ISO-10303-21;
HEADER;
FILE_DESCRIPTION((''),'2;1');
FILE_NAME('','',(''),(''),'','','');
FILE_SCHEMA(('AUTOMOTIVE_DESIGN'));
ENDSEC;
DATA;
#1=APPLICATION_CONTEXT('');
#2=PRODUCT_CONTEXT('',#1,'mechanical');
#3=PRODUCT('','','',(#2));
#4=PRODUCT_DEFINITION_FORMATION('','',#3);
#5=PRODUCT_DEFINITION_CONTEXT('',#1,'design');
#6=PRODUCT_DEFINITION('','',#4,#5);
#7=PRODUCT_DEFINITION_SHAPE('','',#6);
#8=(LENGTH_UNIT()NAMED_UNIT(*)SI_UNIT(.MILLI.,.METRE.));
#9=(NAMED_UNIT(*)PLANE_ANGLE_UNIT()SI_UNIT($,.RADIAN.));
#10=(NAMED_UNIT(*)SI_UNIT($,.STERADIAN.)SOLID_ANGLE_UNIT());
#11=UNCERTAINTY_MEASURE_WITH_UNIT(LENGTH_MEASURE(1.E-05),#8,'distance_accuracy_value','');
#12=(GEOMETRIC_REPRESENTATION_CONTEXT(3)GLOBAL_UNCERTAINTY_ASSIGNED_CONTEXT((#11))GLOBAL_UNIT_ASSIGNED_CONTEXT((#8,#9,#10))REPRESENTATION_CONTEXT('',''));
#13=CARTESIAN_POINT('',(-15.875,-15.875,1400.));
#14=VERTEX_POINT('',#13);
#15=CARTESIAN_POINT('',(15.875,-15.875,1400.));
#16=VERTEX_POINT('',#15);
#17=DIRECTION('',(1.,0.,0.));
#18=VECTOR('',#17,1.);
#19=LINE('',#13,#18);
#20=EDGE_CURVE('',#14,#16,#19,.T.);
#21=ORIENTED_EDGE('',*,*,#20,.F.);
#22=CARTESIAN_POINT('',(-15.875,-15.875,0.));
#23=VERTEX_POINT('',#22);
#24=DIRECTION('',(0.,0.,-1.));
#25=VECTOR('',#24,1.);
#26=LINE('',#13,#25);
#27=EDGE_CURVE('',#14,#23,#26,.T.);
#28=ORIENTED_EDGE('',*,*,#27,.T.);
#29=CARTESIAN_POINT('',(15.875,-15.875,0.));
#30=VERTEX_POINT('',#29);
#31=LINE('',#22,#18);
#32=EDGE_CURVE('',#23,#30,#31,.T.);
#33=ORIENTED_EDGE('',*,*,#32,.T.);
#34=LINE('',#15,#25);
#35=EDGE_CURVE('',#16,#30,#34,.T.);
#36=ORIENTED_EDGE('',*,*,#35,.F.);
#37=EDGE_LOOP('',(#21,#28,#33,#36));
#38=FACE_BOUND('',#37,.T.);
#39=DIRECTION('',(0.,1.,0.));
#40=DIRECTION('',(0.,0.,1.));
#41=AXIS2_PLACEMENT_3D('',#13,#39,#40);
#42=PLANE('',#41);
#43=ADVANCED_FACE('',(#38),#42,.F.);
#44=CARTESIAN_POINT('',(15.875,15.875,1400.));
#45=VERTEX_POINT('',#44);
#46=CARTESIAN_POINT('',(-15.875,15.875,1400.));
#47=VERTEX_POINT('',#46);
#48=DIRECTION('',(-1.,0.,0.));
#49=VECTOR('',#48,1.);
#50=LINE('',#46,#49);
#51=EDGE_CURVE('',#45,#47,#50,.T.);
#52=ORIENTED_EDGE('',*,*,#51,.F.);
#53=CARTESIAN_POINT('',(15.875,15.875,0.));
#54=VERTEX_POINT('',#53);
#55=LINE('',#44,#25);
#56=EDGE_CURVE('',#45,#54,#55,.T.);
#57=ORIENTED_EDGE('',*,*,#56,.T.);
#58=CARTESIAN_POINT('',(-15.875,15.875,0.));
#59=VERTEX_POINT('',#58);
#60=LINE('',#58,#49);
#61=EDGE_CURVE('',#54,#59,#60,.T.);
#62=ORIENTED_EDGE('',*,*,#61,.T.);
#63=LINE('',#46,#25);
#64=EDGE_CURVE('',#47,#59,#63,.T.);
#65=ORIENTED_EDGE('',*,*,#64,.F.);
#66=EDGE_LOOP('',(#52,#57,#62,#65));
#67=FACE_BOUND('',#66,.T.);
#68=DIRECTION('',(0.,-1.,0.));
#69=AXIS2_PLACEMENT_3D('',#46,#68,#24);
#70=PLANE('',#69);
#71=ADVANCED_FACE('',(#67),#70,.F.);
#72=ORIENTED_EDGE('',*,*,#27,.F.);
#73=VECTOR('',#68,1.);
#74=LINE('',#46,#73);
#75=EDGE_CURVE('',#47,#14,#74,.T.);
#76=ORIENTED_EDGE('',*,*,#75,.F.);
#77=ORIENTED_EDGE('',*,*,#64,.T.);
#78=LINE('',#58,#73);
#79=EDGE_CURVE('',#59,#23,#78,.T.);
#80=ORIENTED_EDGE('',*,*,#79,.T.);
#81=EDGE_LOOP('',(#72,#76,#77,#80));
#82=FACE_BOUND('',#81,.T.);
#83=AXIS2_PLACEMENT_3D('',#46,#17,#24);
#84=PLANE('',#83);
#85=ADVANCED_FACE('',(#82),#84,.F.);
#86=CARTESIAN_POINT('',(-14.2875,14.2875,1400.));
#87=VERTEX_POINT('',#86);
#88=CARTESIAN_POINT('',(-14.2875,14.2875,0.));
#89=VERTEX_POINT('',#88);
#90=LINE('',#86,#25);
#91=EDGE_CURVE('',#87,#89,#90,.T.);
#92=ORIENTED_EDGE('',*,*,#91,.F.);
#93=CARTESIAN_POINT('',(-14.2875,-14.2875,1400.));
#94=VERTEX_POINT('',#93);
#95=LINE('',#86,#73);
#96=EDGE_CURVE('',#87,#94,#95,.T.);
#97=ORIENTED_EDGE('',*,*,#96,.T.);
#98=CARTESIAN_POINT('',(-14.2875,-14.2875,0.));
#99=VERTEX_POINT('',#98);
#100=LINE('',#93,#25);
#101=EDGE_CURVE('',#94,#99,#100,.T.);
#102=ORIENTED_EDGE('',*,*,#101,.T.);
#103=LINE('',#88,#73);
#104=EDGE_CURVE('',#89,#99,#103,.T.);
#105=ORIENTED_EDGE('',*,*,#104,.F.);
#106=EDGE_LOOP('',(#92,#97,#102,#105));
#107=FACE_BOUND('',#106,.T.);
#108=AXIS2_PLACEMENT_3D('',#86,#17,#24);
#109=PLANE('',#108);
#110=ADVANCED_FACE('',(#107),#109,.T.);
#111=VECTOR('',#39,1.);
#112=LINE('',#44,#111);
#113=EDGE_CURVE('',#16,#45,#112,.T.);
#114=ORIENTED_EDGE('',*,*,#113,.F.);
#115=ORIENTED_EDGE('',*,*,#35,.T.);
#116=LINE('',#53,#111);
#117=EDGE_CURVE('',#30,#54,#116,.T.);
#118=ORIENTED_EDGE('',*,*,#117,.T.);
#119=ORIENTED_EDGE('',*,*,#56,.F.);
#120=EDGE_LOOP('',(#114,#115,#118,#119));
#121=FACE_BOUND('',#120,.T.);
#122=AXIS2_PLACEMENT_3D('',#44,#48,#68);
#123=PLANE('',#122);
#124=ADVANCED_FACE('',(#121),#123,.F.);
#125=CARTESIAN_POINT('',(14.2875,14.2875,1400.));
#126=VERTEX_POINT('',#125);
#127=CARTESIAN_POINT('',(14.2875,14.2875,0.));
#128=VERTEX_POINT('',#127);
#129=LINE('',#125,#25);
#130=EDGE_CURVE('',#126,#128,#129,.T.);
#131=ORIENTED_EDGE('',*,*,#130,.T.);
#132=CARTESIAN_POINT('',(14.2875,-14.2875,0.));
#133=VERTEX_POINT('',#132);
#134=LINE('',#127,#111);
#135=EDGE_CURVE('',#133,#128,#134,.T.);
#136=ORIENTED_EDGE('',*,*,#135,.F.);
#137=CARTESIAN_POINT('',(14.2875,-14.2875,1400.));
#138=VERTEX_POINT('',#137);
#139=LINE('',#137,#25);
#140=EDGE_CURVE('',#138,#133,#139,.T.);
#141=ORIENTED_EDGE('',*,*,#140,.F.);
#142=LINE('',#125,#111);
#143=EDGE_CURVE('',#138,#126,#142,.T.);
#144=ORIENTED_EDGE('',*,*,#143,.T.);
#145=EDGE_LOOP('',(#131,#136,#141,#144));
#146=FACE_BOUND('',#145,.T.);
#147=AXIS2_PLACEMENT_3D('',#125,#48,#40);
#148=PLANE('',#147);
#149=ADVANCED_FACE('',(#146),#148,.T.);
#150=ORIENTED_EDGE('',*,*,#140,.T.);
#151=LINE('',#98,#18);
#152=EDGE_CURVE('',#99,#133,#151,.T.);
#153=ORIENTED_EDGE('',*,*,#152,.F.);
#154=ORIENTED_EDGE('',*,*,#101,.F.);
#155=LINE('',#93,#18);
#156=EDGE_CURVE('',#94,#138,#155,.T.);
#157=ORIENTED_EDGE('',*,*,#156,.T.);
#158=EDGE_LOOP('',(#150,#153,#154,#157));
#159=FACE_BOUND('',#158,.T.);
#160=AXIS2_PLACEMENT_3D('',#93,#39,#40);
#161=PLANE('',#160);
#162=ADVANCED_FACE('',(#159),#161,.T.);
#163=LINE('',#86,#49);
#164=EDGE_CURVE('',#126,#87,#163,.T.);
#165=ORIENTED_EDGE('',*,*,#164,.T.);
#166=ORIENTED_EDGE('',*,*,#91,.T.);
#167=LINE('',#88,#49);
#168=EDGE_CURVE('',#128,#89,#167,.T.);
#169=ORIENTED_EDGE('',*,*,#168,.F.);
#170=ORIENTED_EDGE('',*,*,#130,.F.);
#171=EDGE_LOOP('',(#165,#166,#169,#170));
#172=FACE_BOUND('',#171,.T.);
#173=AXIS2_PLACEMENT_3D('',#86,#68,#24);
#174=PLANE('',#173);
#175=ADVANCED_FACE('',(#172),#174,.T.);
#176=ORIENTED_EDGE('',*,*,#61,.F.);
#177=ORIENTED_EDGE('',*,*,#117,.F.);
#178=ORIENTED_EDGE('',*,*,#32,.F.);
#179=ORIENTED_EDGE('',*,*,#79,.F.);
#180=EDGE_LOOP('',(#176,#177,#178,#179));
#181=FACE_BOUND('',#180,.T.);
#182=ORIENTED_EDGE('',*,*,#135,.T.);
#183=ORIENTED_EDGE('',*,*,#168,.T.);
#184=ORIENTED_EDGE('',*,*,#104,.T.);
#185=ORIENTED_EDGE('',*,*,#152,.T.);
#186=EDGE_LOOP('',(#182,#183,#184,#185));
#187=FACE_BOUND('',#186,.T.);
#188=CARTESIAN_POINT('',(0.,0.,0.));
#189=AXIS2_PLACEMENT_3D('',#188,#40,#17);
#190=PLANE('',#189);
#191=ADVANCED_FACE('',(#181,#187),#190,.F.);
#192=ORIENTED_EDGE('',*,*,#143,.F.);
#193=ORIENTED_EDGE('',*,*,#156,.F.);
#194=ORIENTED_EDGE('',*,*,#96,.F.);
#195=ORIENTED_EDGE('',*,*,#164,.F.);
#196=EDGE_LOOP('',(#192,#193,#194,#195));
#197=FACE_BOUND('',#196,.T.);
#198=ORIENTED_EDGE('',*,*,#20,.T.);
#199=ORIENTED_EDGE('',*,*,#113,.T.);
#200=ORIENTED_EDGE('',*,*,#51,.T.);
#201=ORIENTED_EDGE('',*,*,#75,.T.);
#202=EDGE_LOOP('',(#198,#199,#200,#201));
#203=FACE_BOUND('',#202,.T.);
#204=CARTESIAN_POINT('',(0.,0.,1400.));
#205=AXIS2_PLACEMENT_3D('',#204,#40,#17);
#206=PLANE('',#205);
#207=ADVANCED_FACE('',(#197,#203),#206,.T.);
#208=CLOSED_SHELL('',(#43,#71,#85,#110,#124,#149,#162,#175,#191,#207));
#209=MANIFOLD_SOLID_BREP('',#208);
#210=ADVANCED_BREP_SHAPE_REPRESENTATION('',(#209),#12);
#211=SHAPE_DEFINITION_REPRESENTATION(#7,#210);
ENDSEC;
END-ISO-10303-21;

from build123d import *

# Parameters (mm, degrees)
SKETCH1_W           = 31.75
SKETCH1_H           = 31.75
SKETCH1_W_2         = 28.575
SKETCH1_H_2         = 28.575
BOSS_EXTRUDE1_DEPTH = 1400


with BuildPart() as part:
    # Sketch1 → Boss-Extrude1 (new body)
    with BuildSketch(Plane.XY):
        Rectangle(SKETCH1_W, SKETCH1_H)
        Rectangle(SKETCH1_W_2, SKETCH1_H_2, mode=Mode.SUBTRACT)
    extrude(amount=BOSS_EXTRUDE1_DEPTH)


solid = part.part
